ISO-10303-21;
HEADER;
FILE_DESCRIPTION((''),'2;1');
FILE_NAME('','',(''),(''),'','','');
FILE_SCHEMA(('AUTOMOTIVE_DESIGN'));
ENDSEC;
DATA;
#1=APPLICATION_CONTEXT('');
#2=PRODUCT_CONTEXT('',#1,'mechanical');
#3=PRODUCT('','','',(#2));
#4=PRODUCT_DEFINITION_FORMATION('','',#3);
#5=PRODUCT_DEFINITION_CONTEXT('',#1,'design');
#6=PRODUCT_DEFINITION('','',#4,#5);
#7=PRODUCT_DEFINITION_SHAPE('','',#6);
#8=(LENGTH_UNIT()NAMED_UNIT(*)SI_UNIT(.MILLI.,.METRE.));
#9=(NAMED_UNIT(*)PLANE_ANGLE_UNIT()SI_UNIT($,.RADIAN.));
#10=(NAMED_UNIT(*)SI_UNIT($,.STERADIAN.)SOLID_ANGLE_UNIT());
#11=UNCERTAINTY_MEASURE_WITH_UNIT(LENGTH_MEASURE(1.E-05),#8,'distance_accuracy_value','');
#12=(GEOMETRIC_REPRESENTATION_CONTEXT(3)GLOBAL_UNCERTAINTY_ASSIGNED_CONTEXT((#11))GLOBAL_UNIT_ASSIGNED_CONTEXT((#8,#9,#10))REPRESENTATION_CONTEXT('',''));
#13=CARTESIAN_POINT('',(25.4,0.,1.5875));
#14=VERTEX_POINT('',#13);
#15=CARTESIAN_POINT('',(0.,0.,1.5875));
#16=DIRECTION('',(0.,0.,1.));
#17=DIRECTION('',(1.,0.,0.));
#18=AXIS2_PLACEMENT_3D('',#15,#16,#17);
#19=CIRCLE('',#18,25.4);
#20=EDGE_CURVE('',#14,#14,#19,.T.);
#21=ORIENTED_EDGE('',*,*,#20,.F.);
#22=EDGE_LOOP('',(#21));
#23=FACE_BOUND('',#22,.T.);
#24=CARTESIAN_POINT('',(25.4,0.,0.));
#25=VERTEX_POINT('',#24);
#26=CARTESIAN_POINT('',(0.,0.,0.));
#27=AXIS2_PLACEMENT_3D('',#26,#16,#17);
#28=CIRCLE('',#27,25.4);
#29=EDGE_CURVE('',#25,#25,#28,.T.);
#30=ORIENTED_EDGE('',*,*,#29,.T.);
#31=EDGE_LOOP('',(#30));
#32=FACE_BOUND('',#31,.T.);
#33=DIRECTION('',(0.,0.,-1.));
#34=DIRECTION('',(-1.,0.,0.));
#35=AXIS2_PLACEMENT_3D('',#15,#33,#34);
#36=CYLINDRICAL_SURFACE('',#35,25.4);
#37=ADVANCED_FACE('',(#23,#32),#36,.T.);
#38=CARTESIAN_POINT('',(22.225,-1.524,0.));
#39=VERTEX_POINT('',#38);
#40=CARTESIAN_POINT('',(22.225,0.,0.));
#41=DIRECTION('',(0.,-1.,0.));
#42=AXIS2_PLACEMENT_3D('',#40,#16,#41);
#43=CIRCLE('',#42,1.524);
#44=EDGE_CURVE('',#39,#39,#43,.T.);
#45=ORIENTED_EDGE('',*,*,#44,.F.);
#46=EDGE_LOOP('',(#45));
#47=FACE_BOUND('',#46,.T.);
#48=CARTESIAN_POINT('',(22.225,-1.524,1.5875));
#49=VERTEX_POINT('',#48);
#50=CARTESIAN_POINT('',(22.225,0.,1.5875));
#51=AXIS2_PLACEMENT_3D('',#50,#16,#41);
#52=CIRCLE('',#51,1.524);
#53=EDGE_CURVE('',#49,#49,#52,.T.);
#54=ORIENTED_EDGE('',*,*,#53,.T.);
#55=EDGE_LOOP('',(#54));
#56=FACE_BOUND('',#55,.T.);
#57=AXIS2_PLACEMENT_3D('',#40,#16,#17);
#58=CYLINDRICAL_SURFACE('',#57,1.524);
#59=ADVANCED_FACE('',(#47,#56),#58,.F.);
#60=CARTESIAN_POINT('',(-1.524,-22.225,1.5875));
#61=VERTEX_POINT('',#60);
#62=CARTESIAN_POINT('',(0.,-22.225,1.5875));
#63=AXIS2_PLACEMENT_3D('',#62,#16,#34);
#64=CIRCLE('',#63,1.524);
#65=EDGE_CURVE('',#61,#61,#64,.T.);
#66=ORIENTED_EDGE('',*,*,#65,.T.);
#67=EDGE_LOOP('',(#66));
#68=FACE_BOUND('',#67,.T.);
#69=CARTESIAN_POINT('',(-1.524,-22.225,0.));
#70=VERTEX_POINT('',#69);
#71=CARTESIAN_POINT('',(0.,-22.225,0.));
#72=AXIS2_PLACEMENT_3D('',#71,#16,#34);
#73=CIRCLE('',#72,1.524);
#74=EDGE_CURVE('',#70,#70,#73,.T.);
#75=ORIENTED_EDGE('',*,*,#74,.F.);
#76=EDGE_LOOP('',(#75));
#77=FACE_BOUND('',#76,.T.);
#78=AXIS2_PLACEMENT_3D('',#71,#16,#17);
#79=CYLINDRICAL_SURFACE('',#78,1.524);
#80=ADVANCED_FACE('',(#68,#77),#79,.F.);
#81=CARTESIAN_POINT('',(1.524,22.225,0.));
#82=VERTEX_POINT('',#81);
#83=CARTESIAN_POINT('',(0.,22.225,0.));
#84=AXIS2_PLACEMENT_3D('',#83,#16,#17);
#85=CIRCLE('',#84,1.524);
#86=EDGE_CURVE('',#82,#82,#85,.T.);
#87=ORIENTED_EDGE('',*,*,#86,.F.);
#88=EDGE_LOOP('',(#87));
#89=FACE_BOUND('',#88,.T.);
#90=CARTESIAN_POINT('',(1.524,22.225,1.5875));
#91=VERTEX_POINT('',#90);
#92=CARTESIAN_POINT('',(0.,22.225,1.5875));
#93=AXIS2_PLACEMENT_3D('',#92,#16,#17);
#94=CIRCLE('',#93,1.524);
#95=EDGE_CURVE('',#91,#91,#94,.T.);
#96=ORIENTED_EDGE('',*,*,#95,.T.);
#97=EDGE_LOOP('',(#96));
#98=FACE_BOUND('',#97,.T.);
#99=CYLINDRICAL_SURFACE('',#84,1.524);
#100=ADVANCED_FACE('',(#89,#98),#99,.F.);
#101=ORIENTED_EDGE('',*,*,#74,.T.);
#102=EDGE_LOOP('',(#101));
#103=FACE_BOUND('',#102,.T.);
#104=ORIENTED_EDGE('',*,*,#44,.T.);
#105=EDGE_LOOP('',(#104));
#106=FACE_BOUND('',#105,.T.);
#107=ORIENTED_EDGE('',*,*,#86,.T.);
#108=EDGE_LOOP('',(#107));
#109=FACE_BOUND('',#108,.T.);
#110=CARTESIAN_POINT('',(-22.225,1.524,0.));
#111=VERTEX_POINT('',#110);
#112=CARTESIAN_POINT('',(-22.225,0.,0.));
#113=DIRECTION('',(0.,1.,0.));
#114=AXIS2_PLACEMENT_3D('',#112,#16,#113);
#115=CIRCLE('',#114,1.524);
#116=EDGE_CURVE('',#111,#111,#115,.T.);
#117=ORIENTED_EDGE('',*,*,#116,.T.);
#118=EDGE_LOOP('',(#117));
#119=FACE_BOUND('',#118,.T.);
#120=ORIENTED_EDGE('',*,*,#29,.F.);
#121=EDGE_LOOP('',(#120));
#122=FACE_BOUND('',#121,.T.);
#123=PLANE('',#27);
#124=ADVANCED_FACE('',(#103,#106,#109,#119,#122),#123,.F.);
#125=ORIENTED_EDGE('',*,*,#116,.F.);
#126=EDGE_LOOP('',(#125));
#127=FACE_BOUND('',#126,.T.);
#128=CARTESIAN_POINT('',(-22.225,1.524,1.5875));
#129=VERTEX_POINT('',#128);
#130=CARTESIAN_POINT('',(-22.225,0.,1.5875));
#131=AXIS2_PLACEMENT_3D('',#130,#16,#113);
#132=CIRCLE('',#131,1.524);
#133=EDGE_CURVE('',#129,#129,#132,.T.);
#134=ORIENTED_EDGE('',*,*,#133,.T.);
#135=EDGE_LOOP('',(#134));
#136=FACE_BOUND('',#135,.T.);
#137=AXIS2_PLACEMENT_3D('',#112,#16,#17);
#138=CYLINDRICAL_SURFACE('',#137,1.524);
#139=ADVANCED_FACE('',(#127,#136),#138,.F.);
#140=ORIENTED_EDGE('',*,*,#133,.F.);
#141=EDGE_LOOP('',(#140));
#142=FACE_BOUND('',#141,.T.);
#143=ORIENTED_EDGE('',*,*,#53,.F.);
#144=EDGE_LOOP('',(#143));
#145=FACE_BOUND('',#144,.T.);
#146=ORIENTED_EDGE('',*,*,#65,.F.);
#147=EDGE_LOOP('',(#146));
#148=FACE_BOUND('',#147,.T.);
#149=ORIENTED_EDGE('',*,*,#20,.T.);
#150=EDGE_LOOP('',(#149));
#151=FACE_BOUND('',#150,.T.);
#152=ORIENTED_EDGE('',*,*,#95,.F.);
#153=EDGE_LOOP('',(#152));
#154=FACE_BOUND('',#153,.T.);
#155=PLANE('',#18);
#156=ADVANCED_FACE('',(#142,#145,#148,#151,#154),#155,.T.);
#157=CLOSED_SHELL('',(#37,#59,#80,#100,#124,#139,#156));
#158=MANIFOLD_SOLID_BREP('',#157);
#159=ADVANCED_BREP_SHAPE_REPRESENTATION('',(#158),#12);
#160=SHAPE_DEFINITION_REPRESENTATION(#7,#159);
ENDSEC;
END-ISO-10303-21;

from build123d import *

# Parameters (mm, degrees)
SKETCH1_R           = 25.4
BOSS_EXTRUDE1_DEPTH = 1.5875
SKETCH2_R           = 1.524
CUT_EXTRUDE1_DEPTH  = 2.5875
CIRPATTERN1_COUNT   = 4


with BuildPart() as part:
    # Sketch1 → Boss-Extrude1 (new body)
    with BuildSketch(Plane.XY):
        Circle(SKETCH1_R)
    extrude(amount=BOSS_EXTRUDE1_DEPTH)

    # Sketch2 → Cut-Extrude1 (cut, through all)
    with BuildSketch(Plane.XY.offset(1.5875)):
        with Locations((0, 22.225)):
            Circle(SKETCH2_R)
    cut_extrude1 = extrude(amount=-CUT_EXTRUDE1_DEPTH, mode=Mode.SUBTRACT)

    # CirPattern1: Cut-Extrude1 ×4 about axis
    cirpattern1_axis = Axis((0, 0, 0), (0, 0, 1))
    for i in range(1, CIRPATTERN1_COUNT):
        add(cut_extrude1.rotate(cirpattern1_axis, i * 360 / CIRPATTERN1_COUNT), mode=Mode.SUBTRACT)


solid = part.part
